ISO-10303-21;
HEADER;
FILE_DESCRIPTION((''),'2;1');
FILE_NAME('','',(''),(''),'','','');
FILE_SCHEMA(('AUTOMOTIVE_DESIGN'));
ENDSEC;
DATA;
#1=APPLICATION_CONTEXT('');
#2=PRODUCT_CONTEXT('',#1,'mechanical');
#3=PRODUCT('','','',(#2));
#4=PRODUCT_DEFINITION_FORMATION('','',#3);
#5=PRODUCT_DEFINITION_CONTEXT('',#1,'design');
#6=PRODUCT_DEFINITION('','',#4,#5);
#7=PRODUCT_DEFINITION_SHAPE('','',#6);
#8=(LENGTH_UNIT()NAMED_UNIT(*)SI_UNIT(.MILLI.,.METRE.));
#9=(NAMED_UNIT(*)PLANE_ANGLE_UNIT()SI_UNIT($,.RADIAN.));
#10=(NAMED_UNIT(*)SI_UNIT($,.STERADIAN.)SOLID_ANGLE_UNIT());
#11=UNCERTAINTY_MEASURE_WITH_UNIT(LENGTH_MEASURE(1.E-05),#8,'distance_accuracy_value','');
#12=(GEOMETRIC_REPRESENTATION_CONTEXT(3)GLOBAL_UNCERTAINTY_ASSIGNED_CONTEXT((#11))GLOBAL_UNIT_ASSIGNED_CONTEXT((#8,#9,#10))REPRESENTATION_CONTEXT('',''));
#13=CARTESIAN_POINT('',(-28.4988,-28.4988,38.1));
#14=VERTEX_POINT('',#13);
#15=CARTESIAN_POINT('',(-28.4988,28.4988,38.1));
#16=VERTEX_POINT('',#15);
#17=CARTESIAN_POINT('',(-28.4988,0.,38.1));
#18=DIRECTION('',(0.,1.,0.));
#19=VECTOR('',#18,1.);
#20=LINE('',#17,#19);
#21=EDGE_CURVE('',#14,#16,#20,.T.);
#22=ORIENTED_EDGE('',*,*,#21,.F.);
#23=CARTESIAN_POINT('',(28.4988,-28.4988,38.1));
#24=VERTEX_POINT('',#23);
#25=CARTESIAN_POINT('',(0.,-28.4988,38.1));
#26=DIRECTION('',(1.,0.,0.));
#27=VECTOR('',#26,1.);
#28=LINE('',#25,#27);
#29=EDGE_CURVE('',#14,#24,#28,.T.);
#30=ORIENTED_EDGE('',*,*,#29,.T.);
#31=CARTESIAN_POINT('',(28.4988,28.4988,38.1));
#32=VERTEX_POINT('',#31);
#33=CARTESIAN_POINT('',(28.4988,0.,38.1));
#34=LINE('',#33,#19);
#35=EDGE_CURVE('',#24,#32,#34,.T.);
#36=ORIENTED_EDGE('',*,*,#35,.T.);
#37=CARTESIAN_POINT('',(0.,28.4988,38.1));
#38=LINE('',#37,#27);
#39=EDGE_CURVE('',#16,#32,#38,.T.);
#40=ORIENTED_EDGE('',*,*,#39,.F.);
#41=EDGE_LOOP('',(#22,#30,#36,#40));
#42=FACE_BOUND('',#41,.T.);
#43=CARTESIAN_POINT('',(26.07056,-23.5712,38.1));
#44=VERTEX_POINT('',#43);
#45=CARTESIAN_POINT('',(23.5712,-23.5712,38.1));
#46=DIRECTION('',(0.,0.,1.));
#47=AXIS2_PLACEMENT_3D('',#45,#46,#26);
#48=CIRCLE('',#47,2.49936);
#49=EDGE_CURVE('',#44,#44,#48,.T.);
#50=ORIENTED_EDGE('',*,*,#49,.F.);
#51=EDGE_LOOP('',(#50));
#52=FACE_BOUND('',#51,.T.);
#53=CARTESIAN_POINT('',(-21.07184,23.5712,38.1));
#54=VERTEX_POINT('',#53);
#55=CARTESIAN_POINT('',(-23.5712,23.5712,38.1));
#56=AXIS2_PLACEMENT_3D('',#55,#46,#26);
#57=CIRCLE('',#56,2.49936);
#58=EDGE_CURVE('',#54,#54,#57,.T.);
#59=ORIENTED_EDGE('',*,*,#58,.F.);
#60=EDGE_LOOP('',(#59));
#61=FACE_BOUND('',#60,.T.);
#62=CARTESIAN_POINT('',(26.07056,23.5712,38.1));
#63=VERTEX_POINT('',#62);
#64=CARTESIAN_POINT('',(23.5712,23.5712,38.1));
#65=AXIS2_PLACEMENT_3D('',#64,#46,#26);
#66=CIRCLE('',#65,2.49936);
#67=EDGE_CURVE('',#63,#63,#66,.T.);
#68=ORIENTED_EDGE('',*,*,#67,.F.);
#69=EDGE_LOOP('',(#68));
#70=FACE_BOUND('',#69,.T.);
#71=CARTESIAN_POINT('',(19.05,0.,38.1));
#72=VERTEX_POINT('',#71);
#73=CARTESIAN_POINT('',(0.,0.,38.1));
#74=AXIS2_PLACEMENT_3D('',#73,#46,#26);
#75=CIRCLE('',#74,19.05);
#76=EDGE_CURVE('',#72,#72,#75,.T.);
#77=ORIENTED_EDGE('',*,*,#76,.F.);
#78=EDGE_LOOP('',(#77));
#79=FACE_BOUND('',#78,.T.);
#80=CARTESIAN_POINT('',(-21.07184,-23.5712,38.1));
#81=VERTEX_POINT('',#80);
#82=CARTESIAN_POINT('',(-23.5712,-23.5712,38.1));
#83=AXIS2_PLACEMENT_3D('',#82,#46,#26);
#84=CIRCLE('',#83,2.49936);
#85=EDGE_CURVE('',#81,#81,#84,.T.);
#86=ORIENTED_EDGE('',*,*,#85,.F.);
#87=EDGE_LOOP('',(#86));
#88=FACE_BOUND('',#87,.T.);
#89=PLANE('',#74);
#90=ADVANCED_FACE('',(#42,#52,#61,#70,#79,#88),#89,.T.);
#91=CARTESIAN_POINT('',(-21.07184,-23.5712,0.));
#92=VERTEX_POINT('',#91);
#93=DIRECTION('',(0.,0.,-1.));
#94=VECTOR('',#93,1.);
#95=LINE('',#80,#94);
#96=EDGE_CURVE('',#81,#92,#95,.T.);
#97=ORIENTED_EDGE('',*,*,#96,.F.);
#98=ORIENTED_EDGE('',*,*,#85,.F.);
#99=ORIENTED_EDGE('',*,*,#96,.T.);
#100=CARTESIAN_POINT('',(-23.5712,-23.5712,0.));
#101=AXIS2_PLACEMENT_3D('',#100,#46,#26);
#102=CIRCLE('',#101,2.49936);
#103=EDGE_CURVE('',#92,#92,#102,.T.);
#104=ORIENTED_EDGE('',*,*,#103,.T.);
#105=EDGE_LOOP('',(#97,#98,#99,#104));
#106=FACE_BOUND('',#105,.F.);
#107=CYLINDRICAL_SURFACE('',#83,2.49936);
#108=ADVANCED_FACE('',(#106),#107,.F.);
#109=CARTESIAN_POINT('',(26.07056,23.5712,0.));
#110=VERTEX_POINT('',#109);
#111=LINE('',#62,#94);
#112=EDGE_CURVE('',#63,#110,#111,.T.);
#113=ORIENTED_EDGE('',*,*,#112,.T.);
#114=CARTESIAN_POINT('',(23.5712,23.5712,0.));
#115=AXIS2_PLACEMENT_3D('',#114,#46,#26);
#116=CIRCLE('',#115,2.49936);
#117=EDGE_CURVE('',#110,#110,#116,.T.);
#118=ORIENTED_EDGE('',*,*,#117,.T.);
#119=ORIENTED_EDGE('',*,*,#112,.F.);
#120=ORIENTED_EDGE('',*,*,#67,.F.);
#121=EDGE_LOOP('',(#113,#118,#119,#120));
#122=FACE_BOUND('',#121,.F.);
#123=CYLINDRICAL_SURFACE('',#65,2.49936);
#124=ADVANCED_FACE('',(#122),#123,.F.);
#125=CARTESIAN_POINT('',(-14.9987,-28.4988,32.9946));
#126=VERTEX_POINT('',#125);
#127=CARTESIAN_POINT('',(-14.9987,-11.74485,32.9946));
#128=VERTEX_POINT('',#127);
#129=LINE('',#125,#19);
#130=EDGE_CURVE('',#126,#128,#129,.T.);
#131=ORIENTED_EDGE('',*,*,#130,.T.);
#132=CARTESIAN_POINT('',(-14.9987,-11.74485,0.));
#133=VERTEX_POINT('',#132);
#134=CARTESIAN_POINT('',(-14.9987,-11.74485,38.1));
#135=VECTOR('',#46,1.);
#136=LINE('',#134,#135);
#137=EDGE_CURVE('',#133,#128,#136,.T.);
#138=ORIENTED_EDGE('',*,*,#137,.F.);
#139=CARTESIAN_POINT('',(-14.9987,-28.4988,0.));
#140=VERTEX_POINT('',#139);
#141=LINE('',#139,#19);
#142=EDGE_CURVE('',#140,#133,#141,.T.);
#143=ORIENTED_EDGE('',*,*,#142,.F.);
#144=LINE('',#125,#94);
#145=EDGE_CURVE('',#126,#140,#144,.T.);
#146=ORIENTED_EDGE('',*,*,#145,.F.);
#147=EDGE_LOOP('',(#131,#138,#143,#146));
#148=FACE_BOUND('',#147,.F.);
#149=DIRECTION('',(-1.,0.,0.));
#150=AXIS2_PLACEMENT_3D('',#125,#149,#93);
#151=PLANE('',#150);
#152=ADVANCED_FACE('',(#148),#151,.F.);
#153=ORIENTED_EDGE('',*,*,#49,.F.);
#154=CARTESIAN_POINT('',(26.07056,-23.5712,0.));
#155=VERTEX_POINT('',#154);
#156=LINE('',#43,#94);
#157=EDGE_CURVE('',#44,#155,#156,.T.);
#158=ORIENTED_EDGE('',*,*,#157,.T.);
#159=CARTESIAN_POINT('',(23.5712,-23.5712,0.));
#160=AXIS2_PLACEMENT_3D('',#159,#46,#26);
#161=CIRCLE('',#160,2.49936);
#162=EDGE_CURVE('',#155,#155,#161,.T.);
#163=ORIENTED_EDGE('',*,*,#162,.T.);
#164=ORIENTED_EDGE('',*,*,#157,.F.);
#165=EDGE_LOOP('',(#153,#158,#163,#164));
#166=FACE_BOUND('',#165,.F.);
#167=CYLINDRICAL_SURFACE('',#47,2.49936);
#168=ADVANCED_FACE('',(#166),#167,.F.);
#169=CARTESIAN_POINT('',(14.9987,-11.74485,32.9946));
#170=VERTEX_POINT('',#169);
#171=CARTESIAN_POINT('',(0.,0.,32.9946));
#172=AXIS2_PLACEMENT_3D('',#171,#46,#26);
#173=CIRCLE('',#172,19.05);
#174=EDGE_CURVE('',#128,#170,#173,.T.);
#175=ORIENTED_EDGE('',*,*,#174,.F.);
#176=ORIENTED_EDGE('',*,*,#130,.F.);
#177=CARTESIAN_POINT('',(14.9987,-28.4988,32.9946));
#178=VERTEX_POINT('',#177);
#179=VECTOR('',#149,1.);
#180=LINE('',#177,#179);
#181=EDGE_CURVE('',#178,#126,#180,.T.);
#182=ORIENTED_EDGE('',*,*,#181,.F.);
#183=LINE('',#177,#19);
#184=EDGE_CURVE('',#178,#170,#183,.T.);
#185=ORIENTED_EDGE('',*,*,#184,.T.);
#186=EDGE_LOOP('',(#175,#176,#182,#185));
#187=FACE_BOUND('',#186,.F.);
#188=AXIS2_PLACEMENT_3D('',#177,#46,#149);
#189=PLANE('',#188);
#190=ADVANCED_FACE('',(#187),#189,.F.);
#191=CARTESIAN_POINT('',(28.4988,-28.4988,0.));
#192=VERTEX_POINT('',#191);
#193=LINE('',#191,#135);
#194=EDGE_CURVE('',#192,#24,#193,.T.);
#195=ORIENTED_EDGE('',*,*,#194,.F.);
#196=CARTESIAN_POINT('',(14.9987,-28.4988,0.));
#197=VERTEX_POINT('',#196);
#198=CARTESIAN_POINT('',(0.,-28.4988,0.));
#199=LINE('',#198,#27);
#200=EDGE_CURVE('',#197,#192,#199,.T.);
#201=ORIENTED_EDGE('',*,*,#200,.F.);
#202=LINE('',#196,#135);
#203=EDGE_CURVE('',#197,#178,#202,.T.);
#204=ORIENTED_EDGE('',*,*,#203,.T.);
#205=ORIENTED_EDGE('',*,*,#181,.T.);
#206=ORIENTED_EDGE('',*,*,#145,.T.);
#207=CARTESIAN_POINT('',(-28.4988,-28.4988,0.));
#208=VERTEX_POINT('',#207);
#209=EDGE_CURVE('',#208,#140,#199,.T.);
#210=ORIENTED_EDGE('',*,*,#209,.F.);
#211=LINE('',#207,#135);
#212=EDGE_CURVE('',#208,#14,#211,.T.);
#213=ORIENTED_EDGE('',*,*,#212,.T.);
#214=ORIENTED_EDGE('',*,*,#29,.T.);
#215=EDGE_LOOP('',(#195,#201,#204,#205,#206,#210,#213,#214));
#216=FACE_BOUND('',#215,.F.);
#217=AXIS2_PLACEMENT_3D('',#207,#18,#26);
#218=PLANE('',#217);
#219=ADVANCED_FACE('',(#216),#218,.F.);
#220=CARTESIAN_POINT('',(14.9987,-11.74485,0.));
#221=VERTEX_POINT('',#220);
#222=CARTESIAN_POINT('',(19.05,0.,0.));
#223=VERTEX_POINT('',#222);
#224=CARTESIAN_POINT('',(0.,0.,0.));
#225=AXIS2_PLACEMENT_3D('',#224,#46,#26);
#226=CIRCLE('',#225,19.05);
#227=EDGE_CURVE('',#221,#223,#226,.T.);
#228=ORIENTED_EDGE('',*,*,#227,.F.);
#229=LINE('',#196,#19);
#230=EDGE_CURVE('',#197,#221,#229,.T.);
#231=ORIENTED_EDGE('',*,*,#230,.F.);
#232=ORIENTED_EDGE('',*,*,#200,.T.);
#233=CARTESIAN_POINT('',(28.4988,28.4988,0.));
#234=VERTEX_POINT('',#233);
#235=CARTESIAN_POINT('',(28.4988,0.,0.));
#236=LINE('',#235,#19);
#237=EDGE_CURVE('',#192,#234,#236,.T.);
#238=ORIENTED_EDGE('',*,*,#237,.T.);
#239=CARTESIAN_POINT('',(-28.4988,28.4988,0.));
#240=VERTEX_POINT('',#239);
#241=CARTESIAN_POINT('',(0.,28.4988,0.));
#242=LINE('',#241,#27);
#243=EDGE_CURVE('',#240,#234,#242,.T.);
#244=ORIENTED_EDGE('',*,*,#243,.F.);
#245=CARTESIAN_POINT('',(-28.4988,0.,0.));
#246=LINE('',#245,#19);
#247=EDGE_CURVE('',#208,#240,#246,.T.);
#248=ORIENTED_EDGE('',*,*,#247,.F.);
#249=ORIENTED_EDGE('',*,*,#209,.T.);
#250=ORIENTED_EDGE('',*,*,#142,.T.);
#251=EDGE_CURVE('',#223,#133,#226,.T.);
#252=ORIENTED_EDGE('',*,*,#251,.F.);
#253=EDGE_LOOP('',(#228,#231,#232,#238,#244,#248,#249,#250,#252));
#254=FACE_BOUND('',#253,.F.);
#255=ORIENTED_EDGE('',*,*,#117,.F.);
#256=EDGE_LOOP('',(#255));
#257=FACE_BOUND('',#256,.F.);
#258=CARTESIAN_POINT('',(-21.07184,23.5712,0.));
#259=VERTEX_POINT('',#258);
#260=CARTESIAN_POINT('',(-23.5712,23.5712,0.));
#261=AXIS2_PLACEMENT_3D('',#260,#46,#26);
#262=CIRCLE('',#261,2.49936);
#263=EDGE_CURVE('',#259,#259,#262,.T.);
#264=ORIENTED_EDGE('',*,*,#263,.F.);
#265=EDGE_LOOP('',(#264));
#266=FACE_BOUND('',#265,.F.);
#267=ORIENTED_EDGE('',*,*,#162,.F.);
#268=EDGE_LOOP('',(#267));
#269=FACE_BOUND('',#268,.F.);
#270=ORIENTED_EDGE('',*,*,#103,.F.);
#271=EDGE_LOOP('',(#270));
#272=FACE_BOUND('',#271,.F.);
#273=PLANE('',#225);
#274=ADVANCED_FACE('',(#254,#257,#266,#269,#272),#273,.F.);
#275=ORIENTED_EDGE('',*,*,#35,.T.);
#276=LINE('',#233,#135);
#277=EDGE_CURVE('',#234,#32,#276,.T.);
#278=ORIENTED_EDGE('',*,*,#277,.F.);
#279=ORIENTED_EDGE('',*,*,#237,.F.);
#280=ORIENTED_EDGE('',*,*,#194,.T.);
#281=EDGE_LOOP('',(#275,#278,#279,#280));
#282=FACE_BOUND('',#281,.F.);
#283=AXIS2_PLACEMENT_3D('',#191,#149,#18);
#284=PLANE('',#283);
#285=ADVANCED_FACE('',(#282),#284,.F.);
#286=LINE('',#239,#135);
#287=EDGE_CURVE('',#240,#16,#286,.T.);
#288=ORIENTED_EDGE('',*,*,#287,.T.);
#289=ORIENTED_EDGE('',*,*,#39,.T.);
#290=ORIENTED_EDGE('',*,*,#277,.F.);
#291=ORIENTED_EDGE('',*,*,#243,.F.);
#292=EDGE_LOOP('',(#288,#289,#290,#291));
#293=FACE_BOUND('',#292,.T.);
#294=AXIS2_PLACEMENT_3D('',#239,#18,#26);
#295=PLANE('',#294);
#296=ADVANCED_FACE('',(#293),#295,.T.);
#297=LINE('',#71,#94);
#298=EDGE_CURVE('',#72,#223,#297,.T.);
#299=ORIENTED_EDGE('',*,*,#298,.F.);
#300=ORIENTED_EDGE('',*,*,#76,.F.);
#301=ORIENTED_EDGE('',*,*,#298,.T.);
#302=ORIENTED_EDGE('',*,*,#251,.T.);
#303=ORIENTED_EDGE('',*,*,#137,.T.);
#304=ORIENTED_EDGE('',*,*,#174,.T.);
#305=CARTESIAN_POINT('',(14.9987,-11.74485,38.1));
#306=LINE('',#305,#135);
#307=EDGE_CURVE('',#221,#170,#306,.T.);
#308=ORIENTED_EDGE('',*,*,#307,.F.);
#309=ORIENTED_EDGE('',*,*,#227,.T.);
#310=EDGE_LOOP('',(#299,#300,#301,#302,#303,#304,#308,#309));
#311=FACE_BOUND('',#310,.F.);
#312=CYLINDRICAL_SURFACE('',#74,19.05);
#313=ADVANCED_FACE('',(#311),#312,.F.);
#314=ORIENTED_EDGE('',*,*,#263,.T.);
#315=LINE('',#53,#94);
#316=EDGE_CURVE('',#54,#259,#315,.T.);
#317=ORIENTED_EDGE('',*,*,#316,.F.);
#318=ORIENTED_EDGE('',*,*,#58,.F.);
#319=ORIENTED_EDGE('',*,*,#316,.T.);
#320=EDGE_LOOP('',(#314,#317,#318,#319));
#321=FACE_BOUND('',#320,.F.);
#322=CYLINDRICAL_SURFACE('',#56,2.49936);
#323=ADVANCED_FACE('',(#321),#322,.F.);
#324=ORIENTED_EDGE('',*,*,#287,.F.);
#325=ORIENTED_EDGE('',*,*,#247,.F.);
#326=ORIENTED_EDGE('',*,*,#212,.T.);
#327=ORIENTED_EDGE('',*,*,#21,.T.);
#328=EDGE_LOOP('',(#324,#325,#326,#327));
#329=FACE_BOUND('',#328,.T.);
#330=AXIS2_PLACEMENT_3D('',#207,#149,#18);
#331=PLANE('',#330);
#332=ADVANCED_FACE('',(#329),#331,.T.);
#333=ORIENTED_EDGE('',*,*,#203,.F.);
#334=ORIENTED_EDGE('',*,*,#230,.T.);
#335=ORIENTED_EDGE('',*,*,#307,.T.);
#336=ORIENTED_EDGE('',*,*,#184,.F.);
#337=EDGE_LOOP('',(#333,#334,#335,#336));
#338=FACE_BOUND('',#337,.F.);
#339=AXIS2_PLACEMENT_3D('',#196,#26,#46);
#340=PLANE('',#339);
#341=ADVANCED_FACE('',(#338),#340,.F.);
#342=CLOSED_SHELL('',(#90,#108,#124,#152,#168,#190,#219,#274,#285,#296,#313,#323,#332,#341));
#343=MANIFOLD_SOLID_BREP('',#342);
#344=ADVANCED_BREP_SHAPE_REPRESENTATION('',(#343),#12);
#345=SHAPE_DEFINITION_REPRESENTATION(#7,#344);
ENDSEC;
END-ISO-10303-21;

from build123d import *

# Parameters (mm, degrees)
F0_W     = 56.9976
F0_H     = 56.9976
F1_DEPTH = 38.1
F3_DEPTH = 28.4988
F4_R     = 19.05
F5_DEPTH = 38.101
F6_R     = 2.49936
F7_DEPTH = 38.101


with BuildPart() as f1:
    # F0 (on Top) → F1 (new body)
    with BuildSketch(Plane.XY):
        Rectangle(F0_W, F0_H)
    extrude(amount=F1_DEPTH)

    # F2 (on face) → F3 (cut)
    with BuildSketch(Plane.XZ.offset(28.4988)):
        Polygon((-14.9987, 0), (0, 0), (14.9987, 0), (14.9987, 32.9946), (-14.9987, 32.9946), align=None)
    extrude(amount=-F3_DEPTH, mode=Mode.SUBTRACT)

    # F4 (on face) → F5 (cut, through all)
    with BuildSketch(Plane.XY.offset(38.1)):
        Circle(F4_R)
    extrude(amount=-F5_DEPTH, mode=Mode.SUBTRACT)

    # F6 (on face) → F7 (cut, through all)
    with BuildSketch(Plane.XY.offset(38.1)):
        with Locations((-23.5712, 23.5712)):
            Circle(F6_R)
        with Locations((23.5712, 23.5712)):
            Circle(F6_R)
        with Locations((23.5712, -23.5712)):
            Circle(F6_R)
        with Locations((-23.5712, -23.5712)):
            Circle(F6_R)
    extrude(amount=-F7_DEPTH, mode=Mode.SUBTRACT)


solid = f1.part
